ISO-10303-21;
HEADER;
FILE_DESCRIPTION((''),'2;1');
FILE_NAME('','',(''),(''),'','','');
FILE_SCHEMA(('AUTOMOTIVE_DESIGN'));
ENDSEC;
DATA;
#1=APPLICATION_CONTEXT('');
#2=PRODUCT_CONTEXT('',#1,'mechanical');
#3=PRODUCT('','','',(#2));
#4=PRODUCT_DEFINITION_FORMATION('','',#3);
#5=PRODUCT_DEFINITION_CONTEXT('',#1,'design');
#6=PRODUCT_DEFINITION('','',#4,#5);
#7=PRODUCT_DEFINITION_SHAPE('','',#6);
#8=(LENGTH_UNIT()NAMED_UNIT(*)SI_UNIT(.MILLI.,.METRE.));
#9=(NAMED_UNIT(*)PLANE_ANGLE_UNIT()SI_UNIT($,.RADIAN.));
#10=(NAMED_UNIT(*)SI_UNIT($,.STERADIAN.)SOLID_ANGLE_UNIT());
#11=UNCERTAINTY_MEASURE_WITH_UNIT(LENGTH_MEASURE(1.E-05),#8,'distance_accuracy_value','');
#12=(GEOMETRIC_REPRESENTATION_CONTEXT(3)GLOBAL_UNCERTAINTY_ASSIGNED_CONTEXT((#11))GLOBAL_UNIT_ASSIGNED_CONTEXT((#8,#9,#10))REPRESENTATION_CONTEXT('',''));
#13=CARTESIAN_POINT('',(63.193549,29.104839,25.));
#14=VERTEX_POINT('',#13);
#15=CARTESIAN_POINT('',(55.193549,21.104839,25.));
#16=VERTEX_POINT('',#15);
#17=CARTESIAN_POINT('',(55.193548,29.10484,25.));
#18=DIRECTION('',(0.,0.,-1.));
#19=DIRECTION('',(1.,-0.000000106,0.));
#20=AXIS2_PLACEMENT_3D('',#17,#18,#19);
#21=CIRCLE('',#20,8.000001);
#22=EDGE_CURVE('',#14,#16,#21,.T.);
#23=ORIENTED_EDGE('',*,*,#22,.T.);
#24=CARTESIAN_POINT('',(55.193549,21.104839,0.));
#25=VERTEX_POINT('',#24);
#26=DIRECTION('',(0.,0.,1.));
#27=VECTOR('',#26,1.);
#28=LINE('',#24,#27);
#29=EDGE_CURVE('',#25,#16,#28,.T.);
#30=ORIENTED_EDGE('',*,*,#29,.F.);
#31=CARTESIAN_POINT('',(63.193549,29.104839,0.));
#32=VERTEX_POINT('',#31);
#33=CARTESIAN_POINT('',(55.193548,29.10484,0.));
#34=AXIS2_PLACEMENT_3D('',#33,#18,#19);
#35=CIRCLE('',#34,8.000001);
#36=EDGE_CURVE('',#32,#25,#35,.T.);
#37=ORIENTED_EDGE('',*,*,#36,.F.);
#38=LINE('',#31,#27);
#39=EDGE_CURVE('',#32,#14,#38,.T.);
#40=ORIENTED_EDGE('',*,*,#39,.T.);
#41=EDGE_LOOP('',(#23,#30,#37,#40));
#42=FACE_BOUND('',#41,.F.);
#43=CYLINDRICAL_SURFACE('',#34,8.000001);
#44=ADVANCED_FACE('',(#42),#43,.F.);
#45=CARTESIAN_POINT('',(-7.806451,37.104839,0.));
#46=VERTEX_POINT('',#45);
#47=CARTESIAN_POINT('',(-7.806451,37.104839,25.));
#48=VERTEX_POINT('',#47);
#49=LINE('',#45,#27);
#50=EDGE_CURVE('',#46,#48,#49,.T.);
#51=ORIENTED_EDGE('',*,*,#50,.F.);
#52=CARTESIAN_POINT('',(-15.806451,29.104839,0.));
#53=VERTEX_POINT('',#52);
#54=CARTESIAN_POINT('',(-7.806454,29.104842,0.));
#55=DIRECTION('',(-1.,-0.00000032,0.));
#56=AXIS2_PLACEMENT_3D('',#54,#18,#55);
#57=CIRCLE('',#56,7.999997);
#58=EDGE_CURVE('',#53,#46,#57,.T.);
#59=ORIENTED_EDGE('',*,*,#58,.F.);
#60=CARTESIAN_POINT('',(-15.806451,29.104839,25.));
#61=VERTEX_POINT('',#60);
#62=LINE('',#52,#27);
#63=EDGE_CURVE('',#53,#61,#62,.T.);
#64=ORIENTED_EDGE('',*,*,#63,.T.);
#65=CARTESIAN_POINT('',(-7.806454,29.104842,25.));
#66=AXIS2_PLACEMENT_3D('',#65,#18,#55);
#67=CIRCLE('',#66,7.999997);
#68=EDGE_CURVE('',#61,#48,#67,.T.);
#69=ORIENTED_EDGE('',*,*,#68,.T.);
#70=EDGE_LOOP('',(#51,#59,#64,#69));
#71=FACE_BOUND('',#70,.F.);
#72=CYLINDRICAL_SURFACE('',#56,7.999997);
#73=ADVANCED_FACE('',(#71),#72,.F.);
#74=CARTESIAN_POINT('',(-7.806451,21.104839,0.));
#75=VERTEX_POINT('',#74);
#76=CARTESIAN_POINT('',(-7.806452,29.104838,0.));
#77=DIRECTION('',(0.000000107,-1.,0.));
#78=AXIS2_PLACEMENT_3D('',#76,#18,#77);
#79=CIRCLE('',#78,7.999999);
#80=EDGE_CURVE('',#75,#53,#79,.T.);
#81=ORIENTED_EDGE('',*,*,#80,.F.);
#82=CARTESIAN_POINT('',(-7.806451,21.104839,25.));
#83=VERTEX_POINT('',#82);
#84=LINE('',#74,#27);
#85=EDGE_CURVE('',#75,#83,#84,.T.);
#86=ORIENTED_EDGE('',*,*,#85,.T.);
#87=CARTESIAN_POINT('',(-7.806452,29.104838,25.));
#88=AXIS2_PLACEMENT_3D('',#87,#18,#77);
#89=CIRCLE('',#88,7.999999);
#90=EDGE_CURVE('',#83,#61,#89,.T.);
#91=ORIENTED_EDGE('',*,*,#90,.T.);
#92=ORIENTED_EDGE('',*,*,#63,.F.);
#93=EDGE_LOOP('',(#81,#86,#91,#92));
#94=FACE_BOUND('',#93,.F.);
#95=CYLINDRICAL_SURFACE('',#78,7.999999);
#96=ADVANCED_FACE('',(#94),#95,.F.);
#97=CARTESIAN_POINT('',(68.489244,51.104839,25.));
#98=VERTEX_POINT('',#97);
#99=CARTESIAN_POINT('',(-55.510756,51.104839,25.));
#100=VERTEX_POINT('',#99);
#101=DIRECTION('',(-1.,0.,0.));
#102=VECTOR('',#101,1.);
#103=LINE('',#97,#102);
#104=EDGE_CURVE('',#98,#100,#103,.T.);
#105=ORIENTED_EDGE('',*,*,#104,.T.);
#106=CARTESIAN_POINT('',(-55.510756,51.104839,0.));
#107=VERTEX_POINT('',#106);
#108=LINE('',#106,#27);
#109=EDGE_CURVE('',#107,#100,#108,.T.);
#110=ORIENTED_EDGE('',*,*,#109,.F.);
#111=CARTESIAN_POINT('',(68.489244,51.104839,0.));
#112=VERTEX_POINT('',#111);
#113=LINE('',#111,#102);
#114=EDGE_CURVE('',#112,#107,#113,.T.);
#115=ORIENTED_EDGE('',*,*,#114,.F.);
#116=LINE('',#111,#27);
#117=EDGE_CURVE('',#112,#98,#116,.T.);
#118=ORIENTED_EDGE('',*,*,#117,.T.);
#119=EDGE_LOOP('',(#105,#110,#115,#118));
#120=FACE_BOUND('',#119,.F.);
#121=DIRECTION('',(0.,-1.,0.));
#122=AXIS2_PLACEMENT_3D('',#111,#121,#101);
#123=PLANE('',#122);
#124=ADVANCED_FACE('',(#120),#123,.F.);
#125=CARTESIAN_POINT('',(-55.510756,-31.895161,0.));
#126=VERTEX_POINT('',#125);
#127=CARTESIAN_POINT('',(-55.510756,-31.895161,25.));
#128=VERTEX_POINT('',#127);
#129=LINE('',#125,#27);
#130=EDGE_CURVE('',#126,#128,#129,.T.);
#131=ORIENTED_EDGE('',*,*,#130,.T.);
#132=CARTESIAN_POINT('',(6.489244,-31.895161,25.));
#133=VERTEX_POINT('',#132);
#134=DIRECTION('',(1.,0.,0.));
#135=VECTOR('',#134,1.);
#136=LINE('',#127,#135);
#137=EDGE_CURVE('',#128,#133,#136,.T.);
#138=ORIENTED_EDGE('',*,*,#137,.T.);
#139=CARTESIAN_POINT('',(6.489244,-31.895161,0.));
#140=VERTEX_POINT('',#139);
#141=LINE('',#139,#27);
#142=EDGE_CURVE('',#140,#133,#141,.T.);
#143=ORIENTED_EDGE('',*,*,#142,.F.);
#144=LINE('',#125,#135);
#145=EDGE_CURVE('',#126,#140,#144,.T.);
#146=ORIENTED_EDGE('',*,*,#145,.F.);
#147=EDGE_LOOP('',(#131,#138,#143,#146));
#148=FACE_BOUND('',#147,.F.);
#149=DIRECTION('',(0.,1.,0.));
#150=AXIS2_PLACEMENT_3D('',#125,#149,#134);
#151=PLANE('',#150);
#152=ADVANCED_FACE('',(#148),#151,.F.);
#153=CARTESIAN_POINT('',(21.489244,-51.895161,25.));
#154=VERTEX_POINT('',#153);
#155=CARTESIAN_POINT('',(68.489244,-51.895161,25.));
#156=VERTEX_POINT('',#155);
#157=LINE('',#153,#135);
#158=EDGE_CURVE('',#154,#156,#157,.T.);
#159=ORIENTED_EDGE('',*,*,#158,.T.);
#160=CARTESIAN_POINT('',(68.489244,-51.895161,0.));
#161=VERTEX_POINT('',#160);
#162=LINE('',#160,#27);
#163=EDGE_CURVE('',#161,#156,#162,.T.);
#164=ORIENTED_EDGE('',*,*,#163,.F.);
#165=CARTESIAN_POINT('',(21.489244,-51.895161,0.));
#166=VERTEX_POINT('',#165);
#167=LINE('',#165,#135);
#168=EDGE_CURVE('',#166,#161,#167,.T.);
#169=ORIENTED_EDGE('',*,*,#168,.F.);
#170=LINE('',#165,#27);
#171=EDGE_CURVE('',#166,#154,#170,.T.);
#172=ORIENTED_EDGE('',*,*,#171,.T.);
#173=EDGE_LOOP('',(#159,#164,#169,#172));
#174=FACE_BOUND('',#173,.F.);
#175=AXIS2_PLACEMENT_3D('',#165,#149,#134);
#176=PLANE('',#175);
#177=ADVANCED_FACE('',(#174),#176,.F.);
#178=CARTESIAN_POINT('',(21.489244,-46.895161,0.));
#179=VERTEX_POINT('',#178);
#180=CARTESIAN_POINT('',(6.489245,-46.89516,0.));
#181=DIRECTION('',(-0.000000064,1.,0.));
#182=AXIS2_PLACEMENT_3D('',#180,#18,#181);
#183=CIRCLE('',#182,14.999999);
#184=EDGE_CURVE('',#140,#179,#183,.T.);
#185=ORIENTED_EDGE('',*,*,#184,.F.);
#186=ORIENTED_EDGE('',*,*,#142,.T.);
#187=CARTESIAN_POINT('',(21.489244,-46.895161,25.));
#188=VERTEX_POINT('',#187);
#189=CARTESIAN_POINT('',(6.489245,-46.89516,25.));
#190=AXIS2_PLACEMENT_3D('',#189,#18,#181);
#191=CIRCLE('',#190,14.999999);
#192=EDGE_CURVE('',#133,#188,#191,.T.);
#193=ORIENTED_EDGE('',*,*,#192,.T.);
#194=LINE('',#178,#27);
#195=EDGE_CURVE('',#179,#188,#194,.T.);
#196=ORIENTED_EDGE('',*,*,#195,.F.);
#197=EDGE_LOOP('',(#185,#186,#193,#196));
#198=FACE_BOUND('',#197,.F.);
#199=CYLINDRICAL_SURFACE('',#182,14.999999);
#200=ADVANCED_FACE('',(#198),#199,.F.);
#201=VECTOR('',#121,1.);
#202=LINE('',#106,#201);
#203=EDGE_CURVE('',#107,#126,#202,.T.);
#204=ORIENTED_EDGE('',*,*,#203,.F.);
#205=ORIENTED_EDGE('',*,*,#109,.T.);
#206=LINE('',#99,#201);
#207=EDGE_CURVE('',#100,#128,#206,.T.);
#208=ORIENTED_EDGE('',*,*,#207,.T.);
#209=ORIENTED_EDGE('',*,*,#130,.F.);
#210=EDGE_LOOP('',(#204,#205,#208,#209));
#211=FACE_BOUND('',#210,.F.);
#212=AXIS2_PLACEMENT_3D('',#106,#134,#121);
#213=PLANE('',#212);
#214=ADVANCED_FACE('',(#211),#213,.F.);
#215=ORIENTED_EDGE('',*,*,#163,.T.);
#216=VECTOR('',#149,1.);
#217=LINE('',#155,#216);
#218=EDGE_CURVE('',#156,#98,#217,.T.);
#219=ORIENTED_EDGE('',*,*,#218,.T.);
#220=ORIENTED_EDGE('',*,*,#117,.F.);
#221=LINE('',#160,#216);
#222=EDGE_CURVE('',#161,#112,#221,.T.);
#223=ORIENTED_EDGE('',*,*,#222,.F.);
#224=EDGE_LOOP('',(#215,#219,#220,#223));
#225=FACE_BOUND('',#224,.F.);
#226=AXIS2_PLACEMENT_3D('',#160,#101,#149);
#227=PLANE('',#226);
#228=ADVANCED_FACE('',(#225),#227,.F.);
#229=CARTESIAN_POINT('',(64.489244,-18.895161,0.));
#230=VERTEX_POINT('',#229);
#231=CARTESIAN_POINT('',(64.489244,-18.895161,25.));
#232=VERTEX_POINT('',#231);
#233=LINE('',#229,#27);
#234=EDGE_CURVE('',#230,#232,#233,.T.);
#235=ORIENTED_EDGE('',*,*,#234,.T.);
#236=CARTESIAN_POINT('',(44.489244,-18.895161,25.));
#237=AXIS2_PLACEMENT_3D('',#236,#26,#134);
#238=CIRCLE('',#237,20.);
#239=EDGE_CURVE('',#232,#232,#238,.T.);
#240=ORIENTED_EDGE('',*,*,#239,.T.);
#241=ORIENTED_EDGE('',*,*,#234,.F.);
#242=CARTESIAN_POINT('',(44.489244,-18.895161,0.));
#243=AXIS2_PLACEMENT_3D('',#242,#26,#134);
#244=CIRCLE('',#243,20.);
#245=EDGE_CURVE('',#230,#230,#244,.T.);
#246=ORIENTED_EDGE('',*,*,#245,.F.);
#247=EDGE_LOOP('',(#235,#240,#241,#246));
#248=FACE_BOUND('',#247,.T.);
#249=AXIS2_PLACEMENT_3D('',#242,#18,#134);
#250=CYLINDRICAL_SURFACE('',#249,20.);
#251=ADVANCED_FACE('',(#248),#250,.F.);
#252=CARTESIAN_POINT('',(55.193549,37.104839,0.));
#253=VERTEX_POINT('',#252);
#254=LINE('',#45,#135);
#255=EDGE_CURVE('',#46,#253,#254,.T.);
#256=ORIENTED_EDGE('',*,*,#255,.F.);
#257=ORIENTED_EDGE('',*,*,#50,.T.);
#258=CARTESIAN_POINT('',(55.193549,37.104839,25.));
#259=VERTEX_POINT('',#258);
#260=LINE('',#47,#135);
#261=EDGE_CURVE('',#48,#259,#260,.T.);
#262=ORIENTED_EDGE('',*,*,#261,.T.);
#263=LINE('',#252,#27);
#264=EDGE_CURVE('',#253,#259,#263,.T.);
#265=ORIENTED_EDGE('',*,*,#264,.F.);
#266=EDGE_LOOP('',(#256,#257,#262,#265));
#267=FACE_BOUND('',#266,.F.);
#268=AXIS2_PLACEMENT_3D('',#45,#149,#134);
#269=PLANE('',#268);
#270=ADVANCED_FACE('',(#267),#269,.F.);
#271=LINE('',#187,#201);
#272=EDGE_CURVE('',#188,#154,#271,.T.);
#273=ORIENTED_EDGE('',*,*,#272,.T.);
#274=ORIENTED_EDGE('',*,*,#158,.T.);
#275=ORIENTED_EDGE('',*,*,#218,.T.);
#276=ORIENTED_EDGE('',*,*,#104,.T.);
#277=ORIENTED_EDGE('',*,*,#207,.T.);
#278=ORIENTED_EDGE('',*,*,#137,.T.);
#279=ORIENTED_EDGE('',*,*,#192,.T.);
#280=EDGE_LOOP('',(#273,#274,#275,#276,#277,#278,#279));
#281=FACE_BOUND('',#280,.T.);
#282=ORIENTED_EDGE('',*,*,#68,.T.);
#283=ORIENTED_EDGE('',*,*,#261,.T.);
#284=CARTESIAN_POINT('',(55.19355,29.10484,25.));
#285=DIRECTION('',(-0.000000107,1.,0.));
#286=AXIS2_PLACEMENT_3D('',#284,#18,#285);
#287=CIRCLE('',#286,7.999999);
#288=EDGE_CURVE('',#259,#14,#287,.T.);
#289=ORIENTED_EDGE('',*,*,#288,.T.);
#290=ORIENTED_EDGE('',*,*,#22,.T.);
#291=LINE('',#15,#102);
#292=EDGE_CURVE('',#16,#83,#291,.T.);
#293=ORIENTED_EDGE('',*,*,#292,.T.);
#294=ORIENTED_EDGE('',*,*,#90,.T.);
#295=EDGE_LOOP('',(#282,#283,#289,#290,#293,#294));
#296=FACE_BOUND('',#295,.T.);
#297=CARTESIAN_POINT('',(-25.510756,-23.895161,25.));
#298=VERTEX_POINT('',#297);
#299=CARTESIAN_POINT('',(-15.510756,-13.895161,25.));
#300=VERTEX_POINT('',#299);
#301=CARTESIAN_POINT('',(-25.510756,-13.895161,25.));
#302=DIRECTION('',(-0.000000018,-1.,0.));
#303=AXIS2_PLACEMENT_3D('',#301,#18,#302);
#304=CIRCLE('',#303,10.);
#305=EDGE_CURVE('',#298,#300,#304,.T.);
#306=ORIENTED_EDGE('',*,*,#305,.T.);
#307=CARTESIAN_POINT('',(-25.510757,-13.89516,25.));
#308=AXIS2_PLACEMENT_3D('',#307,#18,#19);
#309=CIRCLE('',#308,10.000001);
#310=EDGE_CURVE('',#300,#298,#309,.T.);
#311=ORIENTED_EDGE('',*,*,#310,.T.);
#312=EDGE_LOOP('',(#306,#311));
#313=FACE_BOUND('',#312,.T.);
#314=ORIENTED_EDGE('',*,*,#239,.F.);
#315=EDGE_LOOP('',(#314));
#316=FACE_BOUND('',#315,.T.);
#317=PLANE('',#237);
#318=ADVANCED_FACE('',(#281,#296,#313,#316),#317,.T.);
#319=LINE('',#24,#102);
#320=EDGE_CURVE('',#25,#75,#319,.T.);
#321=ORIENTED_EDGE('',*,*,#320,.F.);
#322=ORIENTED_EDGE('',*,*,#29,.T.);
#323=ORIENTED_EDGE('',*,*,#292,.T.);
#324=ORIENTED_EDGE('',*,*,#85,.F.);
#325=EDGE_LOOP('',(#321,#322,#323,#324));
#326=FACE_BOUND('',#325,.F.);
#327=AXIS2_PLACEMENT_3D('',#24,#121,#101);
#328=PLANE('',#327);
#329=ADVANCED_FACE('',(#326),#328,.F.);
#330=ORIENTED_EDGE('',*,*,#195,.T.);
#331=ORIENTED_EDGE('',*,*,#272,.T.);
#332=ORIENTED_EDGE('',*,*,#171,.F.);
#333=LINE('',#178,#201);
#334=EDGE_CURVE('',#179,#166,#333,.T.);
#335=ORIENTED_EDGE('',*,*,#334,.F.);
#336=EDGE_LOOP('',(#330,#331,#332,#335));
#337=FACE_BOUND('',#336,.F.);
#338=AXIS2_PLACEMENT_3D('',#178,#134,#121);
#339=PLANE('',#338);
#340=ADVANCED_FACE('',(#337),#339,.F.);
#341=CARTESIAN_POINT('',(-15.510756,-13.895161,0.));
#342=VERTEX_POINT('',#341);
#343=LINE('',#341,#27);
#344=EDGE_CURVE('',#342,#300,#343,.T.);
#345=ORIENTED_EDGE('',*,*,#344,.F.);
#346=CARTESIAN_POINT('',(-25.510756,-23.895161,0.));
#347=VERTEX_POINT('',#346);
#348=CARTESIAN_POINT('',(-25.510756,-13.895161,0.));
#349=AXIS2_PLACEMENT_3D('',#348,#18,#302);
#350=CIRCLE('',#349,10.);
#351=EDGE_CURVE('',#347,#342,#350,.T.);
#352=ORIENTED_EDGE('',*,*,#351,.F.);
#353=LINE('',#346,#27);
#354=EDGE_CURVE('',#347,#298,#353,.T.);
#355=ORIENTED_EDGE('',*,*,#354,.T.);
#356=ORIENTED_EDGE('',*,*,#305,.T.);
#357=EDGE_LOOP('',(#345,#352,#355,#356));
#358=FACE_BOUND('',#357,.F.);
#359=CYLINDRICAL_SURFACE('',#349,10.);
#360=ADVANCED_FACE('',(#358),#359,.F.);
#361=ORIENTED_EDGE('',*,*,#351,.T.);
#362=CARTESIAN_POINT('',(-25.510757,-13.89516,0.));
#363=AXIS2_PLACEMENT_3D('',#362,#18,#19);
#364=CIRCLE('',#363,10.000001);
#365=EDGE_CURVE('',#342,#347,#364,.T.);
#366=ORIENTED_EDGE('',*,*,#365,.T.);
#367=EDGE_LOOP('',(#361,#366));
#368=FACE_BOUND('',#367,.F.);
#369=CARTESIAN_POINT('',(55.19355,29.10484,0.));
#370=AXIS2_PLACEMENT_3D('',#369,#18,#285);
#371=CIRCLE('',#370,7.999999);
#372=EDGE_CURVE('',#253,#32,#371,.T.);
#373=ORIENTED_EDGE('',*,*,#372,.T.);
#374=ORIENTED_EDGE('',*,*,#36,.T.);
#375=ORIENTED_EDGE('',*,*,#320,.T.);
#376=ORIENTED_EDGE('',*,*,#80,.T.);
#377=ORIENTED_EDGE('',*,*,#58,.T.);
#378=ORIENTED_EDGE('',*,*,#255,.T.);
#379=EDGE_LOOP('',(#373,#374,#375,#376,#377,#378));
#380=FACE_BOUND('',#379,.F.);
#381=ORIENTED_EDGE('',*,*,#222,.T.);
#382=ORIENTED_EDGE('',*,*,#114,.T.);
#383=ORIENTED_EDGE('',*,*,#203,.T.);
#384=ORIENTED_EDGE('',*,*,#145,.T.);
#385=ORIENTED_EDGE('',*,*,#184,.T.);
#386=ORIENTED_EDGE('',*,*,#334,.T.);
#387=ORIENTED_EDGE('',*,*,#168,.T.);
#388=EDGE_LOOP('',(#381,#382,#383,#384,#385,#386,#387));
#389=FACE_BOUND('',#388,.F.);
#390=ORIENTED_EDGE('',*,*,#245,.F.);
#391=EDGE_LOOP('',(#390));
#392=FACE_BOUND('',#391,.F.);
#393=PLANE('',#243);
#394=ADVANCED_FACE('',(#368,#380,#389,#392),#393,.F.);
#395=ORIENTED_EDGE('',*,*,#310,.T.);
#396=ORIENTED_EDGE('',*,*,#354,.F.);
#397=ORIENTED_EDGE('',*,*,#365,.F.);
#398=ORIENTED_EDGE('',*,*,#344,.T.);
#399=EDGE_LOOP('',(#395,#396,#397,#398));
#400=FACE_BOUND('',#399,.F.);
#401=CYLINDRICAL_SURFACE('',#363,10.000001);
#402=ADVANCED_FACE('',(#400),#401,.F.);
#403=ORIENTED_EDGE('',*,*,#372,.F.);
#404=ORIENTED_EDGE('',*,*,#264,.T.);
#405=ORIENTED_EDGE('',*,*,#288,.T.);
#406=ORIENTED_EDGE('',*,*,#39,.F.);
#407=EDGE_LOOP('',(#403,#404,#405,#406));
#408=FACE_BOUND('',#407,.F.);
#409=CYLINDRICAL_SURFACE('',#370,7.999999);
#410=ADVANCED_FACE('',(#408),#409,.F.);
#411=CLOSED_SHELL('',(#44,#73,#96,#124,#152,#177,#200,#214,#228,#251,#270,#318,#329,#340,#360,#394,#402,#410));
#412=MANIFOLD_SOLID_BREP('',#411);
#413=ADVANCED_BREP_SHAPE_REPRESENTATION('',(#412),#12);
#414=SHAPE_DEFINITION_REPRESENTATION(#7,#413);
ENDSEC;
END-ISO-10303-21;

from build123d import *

# Parameters (mm, degrees)
F0_R     = 20
F1_DEPTH = 25


with BuildPart() as f1:
    # F0 (on Top) → F1 (new body)
    with BuildSketch(Plane.XY):
        with Locations((44.489244, -18.895161)):
            Circle(F0_R)
        with BuildLine():
            ThreePointArc((-15.510756, -13.895161), (-32.581823, -6.824093), (-25.510756, -23.895161))
            ThreePointArc((-25.510756, -23.895161), (-18.439688, -20.966228), (-15.510756, -13.895161))
        make_face()
        with BuildLine():
            Line((21.489244, -51.895161), (68.489244, -51.895161))
            Line((68.489244, -51.895161), (68.489244, -18.895161))
            Line((68.489244, -18.895161), (68.489244, 51.104839))
            Line((68.489244, 51.104839), (63.193549, 51.104839))
            Line((63.193549, 51.104839), (-55.510756, 51.104839))
            Line((-55.510756, 51.104839), (-55.510756, -31.895161))
            Line((-55.510756, -31.895161), (-25.510756, -31.895161))
            Line((-25.510756, -31.895161), (6.489244, -31.895161))
            ThreePointArc((6.489244, -31.895161), (17.095846, -36.288559), (21.489244, -46.895161))
            Line((21.489244, -46.895161), (21.489244, -51.895161))
        make_face()
        with BuildLine():
            ThreePointArc((-15.510756, -13.895161), (-18.439688, -20.966228), (-25.510756, -23.895161))
            ThreePointArc((-25.510756, -23.895161), (-32.581823, -6.824093), (-15.510756, -13.895161))
        make_face(mode=Mode.SUBTRACT)
        with Locations((44.489244, -18.895161)):
            Circle(F0_R, mode=Mode.SUBTRACT)
        with BuildLine():
            ThreePointArc((63.193549, 29.104839), (60.850403, 23.447985), (55.193549, 21.104839))
            Line((55.193549, 21.104839), (-7.806451, 21.104839))
            ThreePointArc((-7.806451, 21.104839), (-13.463306, 23.447985), (-15.806451, 29.104839))
            ThreePointArc((-15.806451, 29.104839), (-13.463306, 34.761694), (-7.806451, 37.104839))
            Line((-7.806451, 37.104839), (55.193549, 37.104839))
            ThreePointArc((55.193549, 37.104839), (60.850403, 34.761694), (63.193549, 29.104839))
        make_face(mode=Mode.SUBTRACT)
    extrude(amount=F1_DEPTH)


solid = f1.part
